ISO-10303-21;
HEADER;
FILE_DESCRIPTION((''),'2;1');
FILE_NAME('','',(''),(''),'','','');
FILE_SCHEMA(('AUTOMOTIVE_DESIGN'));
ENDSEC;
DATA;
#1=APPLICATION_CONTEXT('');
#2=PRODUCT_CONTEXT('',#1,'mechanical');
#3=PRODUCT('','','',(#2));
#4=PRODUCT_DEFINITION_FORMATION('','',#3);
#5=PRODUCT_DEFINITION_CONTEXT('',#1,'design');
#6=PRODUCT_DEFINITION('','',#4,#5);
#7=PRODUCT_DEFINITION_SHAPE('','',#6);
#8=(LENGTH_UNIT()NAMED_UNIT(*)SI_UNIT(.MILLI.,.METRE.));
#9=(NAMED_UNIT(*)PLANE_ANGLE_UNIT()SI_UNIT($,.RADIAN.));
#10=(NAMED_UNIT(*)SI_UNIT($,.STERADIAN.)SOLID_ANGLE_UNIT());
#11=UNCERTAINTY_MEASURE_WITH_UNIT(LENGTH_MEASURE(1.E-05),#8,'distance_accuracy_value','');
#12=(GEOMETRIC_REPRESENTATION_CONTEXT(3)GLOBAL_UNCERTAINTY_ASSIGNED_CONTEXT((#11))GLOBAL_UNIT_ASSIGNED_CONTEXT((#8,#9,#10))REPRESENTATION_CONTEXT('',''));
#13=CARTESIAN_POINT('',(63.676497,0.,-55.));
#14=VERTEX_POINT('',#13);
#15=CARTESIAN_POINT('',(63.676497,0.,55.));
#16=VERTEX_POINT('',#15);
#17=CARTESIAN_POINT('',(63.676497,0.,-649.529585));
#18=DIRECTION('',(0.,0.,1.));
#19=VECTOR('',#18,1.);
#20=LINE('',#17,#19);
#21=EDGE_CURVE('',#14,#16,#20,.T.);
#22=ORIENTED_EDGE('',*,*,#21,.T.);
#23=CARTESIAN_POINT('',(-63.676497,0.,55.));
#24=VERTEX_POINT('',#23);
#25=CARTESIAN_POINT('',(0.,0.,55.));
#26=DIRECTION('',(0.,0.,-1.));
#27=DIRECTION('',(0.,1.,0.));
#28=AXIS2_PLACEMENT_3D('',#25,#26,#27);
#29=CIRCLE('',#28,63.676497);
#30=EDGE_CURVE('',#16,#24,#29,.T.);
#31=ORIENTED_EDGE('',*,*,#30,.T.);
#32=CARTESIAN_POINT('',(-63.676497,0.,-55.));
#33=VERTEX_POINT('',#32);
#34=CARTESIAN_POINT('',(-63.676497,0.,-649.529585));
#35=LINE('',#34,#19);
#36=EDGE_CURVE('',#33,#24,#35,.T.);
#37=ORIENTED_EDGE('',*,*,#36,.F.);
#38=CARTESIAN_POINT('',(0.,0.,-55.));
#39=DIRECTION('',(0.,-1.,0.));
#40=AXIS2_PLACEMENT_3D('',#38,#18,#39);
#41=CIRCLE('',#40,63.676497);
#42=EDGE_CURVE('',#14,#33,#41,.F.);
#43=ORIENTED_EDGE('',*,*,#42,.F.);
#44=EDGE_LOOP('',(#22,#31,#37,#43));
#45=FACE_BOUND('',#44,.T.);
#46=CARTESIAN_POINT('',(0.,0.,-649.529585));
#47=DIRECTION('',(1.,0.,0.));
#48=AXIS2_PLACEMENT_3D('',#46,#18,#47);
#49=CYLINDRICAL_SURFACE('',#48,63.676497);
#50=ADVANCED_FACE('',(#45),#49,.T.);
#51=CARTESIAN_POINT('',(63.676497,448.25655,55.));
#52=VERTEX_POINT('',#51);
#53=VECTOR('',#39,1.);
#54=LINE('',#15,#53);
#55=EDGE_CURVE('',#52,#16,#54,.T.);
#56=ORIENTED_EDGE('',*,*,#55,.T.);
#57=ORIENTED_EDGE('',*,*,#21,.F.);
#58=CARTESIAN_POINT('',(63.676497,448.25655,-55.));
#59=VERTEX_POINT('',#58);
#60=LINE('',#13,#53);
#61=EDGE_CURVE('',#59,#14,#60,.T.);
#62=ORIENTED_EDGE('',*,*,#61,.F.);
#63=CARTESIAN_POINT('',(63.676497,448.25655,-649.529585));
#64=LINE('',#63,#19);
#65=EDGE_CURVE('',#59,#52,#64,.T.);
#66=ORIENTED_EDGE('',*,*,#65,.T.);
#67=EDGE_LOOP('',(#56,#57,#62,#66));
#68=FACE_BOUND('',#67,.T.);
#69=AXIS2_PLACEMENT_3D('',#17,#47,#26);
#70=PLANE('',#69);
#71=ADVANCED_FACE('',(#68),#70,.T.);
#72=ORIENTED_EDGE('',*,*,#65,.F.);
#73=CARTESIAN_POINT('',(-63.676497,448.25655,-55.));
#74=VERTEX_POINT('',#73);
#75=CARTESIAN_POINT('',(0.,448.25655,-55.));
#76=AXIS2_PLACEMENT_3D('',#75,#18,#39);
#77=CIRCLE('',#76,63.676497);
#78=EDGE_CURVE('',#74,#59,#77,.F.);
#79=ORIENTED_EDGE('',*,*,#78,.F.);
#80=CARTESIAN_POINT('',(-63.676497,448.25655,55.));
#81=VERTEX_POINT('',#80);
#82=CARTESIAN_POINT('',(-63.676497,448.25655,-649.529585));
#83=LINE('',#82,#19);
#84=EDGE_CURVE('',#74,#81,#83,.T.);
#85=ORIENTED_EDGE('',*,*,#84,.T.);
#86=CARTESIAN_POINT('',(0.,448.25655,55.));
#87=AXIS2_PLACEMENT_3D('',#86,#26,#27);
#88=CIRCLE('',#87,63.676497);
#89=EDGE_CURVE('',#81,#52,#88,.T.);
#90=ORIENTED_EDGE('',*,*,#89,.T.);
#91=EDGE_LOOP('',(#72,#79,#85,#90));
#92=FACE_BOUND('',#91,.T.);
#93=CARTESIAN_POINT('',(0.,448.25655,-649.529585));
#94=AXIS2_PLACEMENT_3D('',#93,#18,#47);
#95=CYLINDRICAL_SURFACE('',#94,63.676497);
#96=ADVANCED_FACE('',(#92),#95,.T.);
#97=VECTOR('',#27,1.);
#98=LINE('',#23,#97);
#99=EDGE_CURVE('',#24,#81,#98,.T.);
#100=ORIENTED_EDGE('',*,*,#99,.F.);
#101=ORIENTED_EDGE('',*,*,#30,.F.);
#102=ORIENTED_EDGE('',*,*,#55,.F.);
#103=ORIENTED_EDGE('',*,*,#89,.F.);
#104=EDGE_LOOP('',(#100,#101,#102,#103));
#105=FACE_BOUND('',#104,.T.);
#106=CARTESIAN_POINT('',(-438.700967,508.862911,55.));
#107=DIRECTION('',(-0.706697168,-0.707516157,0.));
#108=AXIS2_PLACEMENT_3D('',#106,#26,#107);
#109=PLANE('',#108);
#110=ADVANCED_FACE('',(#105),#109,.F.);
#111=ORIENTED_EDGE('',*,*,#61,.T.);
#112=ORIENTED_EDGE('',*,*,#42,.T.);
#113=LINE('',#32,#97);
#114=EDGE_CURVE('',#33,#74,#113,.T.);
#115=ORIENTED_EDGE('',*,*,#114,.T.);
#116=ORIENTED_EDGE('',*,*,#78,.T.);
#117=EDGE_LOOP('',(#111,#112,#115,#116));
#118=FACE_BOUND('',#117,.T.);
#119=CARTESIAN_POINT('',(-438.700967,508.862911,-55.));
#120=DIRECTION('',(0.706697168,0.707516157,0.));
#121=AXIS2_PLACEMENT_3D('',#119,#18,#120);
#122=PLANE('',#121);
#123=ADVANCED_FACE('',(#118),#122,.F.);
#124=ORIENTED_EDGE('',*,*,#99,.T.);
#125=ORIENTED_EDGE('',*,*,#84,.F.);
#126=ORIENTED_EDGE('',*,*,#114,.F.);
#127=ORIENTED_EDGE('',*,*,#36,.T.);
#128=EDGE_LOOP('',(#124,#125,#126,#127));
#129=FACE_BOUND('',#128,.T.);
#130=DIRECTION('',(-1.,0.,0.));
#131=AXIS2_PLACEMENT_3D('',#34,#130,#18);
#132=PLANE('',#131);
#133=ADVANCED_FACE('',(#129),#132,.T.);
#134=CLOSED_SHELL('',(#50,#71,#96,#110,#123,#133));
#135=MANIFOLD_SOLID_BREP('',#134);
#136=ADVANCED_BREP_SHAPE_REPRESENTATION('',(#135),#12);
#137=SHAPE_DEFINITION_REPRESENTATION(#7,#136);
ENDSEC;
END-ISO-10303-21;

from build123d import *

# Parameters (mm, degrees)
STEM_BLOCK_EXTRUDE_DEPTH      = 55
STEM_BLOCK_EXTRUDE_DEPTH_BACK = 55


with BuildPart() as part:
    # Stem Block Sketch → Stem Block Extrude (new, two sides: drawn at the far end of the back side and taken through both)
    with BuildSketch(Plane.XY.offset(-STEM_BLOCK_EXTRUDE_DEPTH_BACK)):
        with BuildLine():
            Line((-63.676496843, 0), (-63.676496843, 448.256550032))
            ThreePointArc((-63.676496843, 448.256550032), (0, 511.933046875), (63.676496843, 448.256550032))
            Line((63.676496843, 448.256550032), (63.676496843, 0))
            ThreePointArc((63.676496843, 0), (0, -63.676496843), (-63.676496843, 0))
        make_face()
    extrude(amount=STEM_BLOCK_EXTRUDE_DEPTH + STEM_BLOCK_EXTRUDE_DEPTH_BACK)


solid = part.part
